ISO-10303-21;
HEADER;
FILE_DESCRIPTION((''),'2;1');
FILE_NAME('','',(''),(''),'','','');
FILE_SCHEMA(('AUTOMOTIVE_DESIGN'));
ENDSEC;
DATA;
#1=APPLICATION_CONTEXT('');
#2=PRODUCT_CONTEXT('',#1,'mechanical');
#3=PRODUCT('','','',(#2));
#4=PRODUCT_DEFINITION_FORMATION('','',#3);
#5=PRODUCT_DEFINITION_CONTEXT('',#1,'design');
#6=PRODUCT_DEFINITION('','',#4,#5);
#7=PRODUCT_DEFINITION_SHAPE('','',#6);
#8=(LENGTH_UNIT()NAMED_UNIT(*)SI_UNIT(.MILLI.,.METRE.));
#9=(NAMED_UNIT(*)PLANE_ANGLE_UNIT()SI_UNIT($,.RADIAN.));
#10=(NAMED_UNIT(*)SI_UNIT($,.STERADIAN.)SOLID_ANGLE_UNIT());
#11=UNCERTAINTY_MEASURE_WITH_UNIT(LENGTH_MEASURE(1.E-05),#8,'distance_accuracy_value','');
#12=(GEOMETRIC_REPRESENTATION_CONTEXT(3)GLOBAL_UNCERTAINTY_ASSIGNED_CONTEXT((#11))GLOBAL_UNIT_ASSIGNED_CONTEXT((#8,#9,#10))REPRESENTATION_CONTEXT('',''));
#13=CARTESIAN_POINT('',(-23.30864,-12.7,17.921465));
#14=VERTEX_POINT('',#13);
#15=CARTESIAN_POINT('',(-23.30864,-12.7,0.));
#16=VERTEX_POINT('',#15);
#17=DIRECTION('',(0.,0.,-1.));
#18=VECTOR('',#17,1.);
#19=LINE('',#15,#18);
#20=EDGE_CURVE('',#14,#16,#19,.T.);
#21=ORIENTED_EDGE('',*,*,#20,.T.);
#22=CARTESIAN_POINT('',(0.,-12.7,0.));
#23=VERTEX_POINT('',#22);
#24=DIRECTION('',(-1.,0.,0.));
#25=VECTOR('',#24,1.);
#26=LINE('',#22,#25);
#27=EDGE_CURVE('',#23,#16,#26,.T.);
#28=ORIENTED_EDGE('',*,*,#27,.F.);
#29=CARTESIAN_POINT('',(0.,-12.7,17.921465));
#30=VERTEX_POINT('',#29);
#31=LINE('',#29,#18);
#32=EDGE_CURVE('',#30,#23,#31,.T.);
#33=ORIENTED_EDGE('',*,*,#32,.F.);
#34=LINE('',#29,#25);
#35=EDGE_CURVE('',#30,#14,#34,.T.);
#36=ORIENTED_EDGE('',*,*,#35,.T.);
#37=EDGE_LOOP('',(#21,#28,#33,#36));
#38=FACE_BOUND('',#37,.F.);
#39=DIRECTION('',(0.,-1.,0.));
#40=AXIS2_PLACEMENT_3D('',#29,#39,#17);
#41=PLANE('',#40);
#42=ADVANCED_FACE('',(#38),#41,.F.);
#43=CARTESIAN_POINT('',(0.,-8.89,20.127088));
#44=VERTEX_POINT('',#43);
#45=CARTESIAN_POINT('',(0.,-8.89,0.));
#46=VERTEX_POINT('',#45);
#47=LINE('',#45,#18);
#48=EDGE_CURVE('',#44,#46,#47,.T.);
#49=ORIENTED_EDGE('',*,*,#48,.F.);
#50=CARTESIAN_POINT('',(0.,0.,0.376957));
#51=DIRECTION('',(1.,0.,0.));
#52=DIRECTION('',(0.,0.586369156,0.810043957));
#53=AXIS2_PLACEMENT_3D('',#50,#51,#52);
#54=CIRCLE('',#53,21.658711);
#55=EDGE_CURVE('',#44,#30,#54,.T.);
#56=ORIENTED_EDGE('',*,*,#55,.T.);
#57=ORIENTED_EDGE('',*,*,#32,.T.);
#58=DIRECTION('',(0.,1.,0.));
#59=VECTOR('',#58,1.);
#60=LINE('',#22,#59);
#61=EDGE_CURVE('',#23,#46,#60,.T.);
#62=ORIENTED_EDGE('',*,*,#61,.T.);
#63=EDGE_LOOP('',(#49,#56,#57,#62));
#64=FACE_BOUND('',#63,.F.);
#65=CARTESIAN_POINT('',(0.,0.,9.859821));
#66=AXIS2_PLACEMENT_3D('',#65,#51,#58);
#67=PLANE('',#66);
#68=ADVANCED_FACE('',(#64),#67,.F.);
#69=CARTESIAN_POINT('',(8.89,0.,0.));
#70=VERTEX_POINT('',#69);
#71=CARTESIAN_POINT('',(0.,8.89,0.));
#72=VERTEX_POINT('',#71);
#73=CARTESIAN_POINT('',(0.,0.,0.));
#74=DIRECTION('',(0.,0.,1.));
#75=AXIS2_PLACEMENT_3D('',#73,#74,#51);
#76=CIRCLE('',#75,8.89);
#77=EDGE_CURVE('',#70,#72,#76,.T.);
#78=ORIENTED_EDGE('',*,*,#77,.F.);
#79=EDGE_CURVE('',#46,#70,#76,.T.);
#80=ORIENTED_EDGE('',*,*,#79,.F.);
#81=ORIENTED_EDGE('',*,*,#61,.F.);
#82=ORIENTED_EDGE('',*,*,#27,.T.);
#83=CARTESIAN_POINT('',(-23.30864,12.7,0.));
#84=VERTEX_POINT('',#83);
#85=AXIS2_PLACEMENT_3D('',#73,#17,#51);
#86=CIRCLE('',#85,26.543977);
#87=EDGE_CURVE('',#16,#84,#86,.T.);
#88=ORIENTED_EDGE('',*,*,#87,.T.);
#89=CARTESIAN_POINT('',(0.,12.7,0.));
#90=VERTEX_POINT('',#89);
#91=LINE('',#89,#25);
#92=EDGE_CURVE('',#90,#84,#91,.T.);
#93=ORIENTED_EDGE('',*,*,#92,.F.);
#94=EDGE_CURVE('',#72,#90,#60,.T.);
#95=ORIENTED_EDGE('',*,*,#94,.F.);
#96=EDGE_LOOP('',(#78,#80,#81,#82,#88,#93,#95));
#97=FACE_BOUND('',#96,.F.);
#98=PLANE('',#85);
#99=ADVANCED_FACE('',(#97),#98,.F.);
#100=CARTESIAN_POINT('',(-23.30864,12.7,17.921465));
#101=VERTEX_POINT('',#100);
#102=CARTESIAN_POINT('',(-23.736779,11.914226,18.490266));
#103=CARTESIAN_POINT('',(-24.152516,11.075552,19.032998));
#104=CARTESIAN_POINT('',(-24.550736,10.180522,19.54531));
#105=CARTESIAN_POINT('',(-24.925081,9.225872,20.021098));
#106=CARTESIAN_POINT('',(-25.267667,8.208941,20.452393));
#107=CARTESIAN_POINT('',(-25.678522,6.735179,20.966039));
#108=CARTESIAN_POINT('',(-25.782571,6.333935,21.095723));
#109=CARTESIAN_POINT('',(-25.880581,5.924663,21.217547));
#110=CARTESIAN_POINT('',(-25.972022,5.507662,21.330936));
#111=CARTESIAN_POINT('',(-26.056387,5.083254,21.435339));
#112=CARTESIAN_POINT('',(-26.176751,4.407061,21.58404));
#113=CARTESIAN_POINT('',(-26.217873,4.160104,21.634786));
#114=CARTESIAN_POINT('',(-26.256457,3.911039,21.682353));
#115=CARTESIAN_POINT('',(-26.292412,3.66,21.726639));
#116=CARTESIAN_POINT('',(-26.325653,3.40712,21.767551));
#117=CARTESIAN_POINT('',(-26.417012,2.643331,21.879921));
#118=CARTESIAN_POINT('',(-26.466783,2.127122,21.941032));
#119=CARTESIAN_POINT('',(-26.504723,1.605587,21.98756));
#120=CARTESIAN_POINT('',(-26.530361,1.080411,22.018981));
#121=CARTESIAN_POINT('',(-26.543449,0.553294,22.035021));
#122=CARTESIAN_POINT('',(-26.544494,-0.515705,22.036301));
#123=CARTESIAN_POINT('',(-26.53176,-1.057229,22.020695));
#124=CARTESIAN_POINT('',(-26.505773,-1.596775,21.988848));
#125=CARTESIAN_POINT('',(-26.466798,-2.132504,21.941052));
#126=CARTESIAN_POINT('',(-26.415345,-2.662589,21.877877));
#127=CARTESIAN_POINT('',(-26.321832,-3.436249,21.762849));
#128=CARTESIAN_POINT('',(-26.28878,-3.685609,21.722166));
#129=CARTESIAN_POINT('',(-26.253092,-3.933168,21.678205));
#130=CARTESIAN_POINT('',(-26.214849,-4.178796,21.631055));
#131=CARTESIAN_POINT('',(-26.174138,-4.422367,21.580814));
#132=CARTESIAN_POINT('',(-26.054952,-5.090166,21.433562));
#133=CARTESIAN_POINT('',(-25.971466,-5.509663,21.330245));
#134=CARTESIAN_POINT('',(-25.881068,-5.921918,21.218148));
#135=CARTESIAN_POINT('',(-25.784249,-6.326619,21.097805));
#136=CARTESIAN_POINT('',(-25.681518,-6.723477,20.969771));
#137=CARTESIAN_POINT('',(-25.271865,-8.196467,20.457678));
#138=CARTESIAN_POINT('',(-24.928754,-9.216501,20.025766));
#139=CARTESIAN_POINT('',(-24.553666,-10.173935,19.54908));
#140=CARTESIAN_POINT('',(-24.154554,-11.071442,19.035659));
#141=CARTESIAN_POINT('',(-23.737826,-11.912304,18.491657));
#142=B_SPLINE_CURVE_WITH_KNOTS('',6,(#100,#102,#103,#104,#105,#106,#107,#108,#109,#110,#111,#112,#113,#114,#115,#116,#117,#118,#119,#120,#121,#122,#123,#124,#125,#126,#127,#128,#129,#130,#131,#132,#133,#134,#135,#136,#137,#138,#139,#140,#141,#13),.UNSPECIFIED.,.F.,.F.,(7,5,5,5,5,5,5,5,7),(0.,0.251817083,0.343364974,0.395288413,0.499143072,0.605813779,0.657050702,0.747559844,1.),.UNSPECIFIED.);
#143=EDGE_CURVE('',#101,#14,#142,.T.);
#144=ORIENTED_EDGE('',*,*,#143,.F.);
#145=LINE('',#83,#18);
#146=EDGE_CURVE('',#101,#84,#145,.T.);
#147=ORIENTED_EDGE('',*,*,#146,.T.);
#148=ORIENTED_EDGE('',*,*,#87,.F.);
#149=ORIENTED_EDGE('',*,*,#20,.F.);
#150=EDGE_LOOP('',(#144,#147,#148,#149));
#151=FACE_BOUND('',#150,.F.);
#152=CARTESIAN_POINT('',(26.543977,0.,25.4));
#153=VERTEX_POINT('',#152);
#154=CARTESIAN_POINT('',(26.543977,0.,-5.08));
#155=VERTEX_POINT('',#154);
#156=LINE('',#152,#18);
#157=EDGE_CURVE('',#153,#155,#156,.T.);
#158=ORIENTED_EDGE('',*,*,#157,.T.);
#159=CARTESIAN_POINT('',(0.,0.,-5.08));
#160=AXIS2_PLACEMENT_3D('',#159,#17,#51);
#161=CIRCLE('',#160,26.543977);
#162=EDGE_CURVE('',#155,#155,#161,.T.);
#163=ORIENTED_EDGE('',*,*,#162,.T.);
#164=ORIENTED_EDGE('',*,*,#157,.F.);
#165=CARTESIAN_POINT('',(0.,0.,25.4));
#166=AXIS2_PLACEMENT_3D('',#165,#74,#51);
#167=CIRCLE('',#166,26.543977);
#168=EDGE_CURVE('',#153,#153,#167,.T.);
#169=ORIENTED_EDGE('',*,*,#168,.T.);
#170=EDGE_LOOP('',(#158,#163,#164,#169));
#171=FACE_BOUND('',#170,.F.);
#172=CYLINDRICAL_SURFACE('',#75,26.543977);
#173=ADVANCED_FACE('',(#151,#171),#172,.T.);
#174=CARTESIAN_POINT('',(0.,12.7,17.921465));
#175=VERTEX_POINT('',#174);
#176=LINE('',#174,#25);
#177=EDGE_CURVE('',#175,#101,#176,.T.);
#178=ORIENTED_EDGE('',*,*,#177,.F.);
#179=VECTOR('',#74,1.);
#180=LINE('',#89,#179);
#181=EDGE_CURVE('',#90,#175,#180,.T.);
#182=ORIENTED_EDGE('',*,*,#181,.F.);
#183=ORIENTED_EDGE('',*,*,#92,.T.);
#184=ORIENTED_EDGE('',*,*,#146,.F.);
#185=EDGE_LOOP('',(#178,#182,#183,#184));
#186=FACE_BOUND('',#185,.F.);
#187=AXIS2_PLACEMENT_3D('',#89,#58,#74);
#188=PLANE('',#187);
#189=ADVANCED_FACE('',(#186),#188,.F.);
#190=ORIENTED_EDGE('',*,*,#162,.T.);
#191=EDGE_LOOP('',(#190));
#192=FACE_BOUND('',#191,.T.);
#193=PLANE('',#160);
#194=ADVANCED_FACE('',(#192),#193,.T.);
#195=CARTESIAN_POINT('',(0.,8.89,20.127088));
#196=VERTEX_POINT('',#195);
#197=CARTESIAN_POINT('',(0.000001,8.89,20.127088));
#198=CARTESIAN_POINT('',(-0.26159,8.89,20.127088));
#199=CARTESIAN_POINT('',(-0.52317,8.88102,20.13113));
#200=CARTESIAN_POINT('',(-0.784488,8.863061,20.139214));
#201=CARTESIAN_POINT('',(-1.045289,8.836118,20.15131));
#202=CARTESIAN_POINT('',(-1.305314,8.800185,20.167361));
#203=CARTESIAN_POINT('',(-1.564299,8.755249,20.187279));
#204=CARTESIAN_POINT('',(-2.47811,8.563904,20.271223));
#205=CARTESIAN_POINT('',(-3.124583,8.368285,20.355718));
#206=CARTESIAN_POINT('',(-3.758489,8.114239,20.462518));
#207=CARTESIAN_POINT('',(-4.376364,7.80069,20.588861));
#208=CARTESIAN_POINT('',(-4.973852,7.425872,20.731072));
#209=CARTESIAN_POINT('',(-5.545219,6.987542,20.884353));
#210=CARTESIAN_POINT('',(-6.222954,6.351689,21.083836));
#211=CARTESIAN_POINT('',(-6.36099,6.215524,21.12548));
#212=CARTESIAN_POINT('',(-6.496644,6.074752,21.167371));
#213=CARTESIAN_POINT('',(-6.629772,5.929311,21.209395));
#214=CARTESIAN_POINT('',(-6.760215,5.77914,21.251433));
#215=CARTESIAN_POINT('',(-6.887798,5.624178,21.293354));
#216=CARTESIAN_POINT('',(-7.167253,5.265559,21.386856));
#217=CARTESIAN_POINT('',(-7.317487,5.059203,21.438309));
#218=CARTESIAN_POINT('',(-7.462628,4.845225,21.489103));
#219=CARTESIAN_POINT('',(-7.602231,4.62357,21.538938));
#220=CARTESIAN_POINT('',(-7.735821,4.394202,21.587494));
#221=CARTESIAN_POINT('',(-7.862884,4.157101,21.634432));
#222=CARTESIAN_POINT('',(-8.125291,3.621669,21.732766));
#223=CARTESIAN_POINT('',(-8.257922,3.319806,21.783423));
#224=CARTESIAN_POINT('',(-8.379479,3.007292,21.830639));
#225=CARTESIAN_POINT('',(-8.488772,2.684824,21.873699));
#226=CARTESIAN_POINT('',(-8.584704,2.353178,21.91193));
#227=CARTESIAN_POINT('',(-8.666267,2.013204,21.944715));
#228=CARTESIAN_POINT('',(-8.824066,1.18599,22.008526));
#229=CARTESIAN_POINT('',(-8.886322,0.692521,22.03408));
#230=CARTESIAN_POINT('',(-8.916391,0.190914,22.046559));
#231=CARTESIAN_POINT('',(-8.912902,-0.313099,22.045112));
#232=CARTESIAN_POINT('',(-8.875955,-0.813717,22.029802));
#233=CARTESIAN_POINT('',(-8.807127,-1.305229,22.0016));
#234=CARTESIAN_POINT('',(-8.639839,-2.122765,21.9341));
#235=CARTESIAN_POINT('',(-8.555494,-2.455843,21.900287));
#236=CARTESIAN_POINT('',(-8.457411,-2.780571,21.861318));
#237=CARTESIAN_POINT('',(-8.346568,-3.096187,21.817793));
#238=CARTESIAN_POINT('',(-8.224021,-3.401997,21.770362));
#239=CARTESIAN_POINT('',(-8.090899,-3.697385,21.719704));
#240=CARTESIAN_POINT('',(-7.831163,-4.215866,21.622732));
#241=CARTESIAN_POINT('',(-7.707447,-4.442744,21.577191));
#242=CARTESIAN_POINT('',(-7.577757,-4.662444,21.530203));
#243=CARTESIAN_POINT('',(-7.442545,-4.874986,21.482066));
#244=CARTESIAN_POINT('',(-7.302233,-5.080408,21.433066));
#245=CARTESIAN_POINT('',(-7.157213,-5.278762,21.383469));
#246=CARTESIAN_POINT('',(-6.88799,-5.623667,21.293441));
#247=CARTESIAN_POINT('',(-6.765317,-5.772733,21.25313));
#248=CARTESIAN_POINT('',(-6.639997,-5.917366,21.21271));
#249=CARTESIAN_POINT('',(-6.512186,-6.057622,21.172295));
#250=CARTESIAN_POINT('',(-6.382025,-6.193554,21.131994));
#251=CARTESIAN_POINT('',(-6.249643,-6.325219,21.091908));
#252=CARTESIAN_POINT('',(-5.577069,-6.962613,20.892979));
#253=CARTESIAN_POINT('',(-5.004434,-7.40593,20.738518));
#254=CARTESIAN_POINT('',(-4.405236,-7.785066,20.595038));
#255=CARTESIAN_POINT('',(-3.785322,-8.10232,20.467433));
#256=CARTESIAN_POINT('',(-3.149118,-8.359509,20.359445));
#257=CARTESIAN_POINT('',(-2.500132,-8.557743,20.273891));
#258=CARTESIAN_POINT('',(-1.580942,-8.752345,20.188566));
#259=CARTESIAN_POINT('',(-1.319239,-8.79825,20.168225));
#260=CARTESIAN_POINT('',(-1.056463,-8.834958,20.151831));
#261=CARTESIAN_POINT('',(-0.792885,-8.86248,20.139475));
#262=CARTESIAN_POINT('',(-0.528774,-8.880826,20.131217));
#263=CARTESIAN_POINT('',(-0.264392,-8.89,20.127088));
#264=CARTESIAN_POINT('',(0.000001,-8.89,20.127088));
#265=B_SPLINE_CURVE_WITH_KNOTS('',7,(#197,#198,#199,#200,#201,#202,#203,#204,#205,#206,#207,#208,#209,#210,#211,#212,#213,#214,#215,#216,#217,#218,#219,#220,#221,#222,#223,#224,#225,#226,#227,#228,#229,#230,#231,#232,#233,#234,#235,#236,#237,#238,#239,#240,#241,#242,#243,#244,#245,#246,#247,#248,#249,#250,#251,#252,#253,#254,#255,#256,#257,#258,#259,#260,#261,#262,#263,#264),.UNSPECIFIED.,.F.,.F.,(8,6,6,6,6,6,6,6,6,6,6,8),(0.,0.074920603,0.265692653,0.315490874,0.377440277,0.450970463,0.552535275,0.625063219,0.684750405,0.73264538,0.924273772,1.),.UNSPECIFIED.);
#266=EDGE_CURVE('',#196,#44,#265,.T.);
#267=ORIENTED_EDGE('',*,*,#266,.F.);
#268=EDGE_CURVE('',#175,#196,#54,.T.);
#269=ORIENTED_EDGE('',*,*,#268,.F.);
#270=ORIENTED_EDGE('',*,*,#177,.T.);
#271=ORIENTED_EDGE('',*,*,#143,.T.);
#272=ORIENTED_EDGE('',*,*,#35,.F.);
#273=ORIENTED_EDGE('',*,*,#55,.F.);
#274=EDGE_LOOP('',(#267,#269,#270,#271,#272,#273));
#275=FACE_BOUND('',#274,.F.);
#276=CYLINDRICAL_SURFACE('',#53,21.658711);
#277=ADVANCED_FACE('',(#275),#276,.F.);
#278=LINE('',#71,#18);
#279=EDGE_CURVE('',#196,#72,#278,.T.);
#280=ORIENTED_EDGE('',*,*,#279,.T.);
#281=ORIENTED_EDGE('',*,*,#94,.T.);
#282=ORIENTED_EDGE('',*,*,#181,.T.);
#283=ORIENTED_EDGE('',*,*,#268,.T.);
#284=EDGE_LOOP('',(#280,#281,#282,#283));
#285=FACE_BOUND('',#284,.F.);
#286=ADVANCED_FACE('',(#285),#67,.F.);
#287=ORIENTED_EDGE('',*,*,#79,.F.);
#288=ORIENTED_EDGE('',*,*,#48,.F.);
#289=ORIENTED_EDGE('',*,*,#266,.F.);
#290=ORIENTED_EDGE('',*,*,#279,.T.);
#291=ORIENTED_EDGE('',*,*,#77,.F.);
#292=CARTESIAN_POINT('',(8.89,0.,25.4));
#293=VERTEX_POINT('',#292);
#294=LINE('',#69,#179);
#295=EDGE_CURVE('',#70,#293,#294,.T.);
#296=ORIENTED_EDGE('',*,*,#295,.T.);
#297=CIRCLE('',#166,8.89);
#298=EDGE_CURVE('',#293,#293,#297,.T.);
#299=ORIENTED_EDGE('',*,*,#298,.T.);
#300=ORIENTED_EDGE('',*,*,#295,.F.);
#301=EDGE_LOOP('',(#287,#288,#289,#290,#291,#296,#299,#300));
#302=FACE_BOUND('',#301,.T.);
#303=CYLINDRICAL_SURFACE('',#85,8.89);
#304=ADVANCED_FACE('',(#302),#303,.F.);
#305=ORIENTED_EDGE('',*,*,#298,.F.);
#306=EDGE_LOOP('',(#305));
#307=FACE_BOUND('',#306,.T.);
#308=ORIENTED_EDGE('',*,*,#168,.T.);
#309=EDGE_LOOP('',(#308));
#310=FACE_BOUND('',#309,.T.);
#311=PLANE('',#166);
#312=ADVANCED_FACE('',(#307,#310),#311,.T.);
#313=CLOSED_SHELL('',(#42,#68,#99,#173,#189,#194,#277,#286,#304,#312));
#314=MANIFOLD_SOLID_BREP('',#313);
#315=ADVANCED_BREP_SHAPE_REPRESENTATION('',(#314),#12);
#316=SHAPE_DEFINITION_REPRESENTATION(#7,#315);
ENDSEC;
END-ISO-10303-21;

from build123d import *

# Parameters (mm, degrees)
F0_R     = 26.543977
F0_R_2   = 8.89
F1_DEPTH = 25.4
F3_DEPTH = 50.8
F4_R     = 26.543977
F5_DEPTH = 5.08


with BuildPart() as f1:
    # F0 (on Top) → F1 (new body)
    with BuildSketch(Plane.XY):
        Circle(F0_R)
        Circle(F0_R_2, mode=Mode.SUBTRACT)
    extrude(amount=F1_DEPTH)

    # F2 (on Right) → F3 (cut)
    with BuildSketch(Plane.YZ):
        with BuildLine():
            Line((-12.7, 17.921465), (-12.7, 0))
            Line((-12.7, 0), (12.7, 0))
            Line((12.7, 0), (12.7, 17.921465))
            ThreePointArc((12.7, 17.921465), (0, 22.035668), (-12.7, 17.921465))
        make_face()
    extrude(amount=-F3_DEPTH, mode=Mode.SUBTRACT)

    # F4 (on face) → F5 (join)
    with BuildSketch(Plane(origin=(0, 0, 0), x_dir=(1, 0, 0), z_dir=(0, 0, -1))):
        Circle(F4_R)
    extrude(amount=F5_DEPTH)


solid = f1.part
